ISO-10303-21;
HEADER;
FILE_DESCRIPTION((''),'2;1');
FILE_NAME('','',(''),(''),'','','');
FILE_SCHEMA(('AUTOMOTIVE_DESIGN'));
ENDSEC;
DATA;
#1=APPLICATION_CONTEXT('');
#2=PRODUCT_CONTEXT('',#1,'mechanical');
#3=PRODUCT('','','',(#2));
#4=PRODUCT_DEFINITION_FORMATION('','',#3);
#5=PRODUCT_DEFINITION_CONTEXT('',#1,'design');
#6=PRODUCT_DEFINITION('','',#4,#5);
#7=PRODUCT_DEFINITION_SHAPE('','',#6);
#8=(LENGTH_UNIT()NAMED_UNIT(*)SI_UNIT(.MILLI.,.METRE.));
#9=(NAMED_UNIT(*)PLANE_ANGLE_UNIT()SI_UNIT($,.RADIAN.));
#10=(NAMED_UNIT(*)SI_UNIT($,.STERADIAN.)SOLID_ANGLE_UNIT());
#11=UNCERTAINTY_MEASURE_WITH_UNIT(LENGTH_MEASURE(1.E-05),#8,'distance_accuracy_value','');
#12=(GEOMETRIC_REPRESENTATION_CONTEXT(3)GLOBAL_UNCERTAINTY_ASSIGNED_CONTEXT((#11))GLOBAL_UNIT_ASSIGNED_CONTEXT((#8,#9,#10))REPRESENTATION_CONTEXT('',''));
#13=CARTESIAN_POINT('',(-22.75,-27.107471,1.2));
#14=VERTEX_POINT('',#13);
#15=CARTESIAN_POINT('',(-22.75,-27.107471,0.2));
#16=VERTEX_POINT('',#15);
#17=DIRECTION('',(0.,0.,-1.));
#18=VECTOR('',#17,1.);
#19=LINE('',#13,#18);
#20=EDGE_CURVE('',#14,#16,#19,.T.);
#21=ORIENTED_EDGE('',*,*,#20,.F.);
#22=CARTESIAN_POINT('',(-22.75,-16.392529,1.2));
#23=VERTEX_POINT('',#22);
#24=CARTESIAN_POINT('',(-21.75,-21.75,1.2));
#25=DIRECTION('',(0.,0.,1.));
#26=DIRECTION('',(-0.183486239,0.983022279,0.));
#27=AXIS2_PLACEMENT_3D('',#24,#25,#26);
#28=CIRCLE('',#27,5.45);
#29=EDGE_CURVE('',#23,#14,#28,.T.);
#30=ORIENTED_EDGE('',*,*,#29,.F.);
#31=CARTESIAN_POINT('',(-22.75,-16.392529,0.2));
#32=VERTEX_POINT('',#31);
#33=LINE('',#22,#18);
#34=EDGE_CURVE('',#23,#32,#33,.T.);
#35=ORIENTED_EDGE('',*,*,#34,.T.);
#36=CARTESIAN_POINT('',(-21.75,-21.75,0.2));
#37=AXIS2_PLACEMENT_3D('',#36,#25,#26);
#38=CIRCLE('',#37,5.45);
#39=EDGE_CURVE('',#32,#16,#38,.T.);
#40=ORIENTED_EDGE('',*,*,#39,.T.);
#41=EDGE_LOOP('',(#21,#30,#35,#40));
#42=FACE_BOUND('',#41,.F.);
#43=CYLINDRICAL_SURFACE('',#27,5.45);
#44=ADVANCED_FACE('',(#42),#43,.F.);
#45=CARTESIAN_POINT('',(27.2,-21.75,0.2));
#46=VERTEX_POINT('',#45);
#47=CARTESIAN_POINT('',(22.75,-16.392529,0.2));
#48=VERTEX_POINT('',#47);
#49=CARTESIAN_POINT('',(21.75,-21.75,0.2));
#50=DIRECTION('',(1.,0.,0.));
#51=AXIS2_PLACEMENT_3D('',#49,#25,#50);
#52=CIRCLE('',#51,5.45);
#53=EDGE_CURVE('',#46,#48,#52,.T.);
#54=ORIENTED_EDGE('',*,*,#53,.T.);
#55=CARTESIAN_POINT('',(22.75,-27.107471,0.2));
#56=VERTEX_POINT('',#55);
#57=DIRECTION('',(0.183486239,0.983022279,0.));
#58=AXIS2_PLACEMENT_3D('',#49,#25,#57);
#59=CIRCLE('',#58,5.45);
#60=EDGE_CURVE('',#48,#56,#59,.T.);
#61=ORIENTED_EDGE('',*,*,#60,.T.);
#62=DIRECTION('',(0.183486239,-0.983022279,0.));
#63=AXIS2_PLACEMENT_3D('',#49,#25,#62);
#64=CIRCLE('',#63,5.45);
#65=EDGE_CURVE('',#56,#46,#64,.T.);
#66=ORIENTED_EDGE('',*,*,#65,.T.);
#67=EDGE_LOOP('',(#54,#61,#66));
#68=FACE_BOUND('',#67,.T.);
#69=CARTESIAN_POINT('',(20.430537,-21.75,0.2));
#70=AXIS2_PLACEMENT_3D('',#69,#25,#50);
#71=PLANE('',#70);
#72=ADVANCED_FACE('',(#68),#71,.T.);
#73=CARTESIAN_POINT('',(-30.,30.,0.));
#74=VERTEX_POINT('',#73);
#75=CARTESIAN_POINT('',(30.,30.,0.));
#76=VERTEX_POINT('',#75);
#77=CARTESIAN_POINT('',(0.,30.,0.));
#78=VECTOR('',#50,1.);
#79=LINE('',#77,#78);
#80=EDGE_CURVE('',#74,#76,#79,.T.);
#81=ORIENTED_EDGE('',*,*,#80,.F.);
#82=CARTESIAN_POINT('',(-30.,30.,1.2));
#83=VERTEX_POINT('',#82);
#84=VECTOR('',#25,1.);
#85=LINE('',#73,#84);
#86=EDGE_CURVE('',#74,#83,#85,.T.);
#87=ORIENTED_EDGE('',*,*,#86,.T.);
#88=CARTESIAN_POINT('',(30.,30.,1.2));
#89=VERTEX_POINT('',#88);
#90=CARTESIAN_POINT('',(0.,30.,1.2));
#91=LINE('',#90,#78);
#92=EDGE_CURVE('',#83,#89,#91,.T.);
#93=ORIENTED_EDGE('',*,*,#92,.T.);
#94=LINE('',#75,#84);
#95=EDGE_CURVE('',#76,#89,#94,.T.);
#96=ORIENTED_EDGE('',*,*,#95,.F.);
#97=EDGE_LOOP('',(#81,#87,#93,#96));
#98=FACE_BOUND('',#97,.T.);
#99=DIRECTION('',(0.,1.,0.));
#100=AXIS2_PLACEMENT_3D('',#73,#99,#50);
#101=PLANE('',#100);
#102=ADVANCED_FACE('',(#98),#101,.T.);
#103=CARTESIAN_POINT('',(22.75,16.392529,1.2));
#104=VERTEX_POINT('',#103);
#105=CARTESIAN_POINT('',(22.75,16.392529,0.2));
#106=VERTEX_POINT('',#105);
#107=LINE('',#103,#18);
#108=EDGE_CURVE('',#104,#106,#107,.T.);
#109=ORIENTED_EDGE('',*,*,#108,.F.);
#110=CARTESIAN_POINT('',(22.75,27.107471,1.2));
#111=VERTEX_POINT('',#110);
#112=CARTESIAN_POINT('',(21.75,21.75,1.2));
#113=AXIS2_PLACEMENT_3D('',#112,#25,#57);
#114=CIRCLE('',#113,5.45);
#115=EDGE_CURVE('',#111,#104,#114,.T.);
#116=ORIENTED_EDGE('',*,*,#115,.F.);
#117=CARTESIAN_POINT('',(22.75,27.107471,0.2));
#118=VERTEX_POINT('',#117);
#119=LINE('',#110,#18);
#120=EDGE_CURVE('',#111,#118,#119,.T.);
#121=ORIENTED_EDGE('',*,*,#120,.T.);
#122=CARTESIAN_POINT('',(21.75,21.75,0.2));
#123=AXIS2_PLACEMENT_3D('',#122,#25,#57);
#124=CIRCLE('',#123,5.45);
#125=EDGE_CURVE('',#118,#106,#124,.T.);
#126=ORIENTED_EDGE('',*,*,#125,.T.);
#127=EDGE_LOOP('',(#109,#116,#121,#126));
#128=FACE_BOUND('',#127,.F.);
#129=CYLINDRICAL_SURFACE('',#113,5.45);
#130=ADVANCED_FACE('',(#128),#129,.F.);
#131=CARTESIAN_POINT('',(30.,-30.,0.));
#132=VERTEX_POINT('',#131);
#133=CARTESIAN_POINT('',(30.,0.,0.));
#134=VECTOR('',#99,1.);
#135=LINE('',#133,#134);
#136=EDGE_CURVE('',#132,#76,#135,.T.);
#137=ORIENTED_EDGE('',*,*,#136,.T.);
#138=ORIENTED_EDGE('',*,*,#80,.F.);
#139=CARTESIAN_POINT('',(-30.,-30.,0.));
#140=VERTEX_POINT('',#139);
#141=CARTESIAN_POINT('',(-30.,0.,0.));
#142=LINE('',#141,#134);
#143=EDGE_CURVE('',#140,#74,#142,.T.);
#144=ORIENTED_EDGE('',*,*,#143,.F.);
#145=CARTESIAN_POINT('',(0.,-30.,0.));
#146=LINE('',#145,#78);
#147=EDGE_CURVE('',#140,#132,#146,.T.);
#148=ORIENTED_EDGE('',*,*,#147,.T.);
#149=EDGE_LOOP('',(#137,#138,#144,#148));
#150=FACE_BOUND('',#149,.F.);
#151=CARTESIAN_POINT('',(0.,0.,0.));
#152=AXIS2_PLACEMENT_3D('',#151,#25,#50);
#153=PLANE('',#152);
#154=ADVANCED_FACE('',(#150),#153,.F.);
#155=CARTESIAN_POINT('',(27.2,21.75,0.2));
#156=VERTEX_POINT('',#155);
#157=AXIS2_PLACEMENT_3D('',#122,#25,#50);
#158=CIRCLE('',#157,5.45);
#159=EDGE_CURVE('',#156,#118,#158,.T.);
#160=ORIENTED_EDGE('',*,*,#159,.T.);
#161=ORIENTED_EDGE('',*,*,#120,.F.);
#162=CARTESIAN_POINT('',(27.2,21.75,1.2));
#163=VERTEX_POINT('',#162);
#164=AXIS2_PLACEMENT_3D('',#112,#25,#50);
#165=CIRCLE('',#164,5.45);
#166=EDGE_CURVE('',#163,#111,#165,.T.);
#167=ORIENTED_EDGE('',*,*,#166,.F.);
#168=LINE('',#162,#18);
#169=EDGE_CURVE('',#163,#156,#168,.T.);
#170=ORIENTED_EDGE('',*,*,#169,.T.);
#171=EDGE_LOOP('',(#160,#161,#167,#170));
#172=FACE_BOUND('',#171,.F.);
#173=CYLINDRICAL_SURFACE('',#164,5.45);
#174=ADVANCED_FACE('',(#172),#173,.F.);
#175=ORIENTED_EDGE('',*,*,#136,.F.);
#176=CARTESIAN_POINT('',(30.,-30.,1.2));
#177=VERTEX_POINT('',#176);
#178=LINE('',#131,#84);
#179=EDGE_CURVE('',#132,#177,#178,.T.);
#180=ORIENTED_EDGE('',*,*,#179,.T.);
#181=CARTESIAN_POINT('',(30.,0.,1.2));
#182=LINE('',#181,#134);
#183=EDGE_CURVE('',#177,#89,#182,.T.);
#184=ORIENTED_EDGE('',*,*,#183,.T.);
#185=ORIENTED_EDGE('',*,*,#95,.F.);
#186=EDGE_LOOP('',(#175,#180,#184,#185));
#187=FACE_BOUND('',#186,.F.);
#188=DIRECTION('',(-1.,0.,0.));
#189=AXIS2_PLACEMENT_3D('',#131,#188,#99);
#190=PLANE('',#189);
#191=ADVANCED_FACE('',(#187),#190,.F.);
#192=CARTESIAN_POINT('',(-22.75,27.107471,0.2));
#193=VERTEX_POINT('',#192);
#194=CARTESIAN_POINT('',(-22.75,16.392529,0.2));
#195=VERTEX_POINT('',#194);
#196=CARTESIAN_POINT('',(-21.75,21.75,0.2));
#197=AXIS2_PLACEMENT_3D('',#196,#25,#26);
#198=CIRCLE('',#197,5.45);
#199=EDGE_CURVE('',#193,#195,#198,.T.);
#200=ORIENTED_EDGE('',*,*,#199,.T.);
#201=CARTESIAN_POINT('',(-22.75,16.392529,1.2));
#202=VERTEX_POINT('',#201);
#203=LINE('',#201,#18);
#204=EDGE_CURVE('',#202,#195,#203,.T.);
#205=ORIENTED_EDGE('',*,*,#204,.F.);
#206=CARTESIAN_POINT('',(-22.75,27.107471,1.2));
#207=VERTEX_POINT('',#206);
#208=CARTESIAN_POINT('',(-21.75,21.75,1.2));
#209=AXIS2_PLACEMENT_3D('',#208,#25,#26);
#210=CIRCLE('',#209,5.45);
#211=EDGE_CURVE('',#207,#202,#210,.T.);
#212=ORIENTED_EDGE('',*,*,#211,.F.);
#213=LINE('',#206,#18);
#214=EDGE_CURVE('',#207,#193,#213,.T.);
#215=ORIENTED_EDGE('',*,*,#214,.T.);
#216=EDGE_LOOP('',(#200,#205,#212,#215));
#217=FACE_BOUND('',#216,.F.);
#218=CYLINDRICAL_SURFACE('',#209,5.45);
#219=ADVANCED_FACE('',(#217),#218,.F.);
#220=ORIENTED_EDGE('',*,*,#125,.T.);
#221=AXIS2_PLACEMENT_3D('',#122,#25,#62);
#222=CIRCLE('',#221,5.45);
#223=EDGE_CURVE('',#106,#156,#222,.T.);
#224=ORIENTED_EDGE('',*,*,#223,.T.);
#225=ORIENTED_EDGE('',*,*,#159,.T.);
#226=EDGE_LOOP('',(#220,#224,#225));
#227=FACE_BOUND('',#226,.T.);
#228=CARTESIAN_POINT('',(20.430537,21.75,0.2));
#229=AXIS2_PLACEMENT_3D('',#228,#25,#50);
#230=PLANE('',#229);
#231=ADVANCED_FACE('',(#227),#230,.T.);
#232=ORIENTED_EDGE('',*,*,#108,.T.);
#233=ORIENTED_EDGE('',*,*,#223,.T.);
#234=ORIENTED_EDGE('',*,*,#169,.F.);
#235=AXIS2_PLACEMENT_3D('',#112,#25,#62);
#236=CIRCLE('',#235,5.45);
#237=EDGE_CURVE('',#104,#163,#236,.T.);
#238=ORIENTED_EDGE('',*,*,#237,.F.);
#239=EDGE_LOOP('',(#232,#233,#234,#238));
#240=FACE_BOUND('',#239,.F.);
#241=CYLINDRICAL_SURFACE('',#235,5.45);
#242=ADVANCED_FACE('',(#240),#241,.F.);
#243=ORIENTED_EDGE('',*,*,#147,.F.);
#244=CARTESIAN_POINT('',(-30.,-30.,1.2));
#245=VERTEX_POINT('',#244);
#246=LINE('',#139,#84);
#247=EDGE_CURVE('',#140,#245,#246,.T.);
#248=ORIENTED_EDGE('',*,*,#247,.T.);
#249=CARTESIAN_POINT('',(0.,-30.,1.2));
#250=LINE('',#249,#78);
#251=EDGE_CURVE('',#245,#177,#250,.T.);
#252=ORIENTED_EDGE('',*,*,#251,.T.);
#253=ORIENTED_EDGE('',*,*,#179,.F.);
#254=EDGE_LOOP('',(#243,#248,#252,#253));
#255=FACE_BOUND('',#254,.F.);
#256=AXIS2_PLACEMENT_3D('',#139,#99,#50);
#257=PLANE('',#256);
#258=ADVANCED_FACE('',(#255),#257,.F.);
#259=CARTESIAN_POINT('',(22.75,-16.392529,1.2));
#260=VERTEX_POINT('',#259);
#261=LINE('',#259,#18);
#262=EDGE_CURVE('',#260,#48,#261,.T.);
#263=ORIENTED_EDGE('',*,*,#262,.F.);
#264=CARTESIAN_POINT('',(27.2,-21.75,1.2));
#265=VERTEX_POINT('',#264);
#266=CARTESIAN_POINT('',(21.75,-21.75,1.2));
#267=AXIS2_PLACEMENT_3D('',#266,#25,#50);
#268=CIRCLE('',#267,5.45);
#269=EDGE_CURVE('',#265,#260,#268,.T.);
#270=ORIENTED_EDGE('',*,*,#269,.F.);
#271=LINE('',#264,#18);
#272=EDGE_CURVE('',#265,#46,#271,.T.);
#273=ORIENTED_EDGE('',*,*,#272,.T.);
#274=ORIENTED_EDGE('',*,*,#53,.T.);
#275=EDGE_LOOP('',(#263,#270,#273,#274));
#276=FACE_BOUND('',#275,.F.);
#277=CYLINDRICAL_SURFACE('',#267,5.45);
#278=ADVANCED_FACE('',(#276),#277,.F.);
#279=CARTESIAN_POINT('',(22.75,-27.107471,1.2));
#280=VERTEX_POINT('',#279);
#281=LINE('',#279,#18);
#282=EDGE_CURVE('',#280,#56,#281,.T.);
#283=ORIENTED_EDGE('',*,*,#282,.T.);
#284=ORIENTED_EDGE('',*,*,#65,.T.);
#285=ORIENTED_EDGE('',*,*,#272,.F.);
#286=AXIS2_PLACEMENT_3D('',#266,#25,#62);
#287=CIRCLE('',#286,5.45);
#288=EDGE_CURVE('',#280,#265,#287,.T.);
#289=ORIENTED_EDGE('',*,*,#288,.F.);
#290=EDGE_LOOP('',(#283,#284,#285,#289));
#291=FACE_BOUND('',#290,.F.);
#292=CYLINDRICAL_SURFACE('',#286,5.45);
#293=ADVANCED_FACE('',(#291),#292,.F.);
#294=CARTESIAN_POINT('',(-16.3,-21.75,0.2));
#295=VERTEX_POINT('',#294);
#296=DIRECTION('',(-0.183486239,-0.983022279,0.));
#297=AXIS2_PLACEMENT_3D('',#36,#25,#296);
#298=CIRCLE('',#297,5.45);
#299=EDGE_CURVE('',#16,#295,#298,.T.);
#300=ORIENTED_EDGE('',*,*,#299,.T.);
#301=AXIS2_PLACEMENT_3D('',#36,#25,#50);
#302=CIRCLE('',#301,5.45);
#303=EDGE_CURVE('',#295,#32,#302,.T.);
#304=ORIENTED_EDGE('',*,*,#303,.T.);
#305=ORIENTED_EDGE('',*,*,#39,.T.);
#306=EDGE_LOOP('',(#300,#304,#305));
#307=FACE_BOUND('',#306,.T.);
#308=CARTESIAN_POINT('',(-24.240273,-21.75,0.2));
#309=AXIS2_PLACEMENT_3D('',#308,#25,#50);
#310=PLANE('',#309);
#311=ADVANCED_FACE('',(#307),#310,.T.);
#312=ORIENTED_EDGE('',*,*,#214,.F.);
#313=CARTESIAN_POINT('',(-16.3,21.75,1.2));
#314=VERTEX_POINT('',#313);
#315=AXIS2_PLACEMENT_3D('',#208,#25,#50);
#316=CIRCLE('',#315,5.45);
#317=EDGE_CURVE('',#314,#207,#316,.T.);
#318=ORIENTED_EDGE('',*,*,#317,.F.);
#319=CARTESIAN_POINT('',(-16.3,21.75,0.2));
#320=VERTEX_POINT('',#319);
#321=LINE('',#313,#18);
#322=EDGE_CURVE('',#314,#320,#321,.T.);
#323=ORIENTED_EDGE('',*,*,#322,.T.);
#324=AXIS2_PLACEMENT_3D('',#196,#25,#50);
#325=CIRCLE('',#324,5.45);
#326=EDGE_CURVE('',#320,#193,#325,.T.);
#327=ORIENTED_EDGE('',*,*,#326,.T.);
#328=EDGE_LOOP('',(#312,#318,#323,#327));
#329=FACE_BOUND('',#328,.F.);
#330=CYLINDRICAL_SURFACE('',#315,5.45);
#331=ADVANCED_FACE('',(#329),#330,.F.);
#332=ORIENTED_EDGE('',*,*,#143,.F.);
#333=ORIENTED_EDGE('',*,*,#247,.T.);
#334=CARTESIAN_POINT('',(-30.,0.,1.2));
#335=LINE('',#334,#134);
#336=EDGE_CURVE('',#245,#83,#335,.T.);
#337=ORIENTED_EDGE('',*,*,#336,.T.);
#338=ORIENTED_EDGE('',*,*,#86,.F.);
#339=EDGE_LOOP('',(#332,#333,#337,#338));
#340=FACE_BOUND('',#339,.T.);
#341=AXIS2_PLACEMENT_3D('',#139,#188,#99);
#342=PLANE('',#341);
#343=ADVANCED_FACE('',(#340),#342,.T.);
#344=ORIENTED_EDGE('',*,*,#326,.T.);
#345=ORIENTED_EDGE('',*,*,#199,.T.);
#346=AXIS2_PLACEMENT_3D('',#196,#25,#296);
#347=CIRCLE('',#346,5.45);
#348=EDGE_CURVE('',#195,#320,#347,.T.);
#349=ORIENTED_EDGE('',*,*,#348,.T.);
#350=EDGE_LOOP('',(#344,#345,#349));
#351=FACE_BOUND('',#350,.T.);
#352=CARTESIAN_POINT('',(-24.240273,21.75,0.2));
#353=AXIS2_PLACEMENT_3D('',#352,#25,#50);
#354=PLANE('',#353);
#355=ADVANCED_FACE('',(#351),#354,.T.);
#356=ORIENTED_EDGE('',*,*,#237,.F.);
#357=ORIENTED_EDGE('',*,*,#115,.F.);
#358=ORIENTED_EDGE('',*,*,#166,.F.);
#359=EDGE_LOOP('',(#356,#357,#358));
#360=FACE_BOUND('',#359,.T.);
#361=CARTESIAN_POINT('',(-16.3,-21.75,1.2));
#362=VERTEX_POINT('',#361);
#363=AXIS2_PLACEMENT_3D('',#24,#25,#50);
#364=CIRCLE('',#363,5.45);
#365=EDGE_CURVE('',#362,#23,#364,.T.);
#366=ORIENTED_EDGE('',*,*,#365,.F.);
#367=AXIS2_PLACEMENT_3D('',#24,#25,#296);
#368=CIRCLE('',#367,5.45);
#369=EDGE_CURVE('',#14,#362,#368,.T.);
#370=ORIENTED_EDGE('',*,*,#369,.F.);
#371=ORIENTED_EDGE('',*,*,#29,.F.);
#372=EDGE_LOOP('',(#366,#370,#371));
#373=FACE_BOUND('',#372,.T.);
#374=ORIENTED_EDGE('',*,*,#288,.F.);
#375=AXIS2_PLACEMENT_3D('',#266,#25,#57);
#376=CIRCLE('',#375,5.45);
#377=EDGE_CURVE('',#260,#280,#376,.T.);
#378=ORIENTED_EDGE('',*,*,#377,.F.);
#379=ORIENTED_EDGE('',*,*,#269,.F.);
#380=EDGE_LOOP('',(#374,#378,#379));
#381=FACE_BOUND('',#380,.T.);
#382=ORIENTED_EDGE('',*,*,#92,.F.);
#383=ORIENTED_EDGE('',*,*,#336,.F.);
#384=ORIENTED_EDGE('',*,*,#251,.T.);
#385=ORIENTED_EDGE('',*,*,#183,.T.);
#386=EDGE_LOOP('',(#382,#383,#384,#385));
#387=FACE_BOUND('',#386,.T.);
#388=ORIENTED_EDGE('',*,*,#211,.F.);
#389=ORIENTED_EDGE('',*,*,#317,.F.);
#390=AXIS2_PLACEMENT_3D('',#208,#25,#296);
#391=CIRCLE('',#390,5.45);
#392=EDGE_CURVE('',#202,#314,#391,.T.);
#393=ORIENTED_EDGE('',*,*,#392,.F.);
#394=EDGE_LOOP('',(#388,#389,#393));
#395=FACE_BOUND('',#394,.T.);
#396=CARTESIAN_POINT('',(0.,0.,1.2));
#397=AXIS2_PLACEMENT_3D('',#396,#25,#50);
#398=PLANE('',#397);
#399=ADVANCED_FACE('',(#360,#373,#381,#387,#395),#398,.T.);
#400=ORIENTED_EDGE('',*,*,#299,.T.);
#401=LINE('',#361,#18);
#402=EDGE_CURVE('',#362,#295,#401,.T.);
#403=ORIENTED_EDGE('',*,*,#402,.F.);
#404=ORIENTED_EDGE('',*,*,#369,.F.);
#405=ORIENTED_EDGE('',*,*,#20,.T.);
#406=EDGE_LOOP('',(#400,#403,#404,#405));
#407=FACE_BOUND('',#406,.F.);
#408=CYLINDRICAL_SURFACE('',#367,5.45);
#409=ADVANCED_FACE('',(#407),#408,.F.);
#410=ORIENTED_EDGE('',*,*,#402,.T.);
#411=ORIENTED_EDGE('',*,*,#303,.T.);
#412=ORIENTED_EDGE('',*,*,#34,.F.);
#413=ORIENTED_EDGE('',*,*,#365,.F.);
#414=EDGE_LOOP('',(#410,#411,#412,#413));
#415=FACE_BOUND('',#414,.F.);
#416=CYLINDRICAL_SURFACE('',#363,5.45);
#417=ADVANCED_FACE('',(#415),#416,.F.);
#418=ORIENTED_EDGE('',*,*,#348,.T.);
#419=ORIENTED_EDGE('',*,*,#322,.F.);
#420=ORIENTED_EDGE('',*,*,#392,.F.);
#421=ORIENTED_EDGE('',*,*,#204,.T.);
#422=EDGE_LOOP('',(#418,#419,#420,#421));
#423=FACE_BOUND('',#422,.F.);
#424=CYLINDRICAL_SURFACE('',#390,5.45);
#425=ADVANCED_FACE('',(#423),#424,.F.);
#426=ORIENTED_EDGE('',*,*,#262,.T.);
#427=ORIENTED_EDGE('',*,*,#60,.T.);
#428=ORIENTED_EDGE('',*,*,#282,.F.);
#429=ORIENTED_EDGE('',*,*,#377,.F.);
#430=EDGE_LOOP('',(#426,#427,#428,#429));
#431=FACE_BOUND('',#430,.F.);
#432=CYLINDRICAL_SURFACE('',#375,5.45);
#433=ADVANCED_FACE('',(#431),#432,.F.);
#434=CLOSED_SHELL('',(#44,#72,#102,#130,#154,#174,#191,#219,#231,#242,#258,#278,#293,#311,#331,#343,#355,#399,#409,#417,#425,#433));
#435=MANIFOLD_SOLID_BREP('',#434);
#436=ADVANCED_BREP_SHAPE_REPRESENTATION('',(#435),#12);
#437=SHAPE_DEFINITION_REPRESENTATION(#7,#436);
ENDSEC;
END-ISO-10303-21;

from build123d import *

# Parameters (mm, degrees)
F0_W     = 60
F0_H     = 60
F1_DEPTH = 1.2
F3_DEPTH = 1


with BuildPart() as f1:
    # F0 (on Top) → F1 (new body)
    with BuildSketch(Plane.XY):
        Rectangle(F0_W, F0_H)
    extrude(amount=F1_DEPTH)

    # F2 (on face) → F3 (cut)
    with BuildSketch(Plane.XY.offset(1.2)):
        with BuildLine():
            Line((-22.75, 16.3925285815), (-22.75, 27.1074714185))
            ThreePointArc((-22.75, 27.1074714185), (-27.2, 21.75), (-22.75, 16.3925285815))
        make_face()
        with BuildLine():
            ThreePointArc((-16.3, 21.75), (-18.2677234458, 25.9424038451), (-22.75, 27.1074714185))
            Line((-22.75, 27.1074714185), (-22.75, 16.3925285815))
            ThreePointArc((-22.75, 16.3925285815), (-18.2677234458, 17.5575961549), (-16.3, 21.75))
        make_face()
        with BuildLine():
            Line((22.75, 16.3925285815), (22.75, 27.1074714185))
            ThreePointArc((22.75, 27.1074714185), (16.3, 21.75), (22.75, 16.3925285815))
        make_face()
        with BuildLine():
            ThreePointArc((22.75, 16.3925285815), (25.9424038451, 18.2677234458), (27.2, 21.75))
            ThreePointArc((27.2, 21.75), (25.9424038451, 25.2322765542), (22.75, 27.1074714185))
            Line((22.75, 27.1074714185), (22.75, 16.3925285815))
        make_face()
        with BuildLine():
            Line((22.75, -27.1074714185), (22.75, -16.3925285815))
            ThreePointArc((22.75, -16.3925285815), (16.3, -21.75), (22.75, -27.1074714185))
        make_face()
        with BuildLine():
            ThreePointArc((27.2, -21.75), (25.9424038451, -18.2677234458), (22.75, -16.3925285815))
            Line((22.75, -16.3925285815), (22.75, -27.1074714185))
            ThreePointArc((22.75, -27.1074714185), (25.9424038451, -25.2322765542), (27.2, -21.75))
        make_face()
        with BuildLine():
            ThreePointArc((-22.75, -16.3925285815), (-27.2, -21.75), (-22.75, -27.1074714185))
            Line((-22.75, -27.1074714185), (-22.75, -16.3925285815))
        make_face()
        with BuildLine():
            Line((-22.75, -16.3925285815), (-22.75, -27.1074714185))
            ThreePointArc((-22.75, -27.1074714185), (-18.2677234458, -25.9424038451), (-16.3, -21.75))
            ThreePointArc((-16.3, -21.75), (-18.2677234458, -17.5575961549), (-22.75, -16.3925285815))
        make_face()
    extrude(amount=-F3_DEPTH, mode=Mode.SUBTRACT)


solid = f1.part
